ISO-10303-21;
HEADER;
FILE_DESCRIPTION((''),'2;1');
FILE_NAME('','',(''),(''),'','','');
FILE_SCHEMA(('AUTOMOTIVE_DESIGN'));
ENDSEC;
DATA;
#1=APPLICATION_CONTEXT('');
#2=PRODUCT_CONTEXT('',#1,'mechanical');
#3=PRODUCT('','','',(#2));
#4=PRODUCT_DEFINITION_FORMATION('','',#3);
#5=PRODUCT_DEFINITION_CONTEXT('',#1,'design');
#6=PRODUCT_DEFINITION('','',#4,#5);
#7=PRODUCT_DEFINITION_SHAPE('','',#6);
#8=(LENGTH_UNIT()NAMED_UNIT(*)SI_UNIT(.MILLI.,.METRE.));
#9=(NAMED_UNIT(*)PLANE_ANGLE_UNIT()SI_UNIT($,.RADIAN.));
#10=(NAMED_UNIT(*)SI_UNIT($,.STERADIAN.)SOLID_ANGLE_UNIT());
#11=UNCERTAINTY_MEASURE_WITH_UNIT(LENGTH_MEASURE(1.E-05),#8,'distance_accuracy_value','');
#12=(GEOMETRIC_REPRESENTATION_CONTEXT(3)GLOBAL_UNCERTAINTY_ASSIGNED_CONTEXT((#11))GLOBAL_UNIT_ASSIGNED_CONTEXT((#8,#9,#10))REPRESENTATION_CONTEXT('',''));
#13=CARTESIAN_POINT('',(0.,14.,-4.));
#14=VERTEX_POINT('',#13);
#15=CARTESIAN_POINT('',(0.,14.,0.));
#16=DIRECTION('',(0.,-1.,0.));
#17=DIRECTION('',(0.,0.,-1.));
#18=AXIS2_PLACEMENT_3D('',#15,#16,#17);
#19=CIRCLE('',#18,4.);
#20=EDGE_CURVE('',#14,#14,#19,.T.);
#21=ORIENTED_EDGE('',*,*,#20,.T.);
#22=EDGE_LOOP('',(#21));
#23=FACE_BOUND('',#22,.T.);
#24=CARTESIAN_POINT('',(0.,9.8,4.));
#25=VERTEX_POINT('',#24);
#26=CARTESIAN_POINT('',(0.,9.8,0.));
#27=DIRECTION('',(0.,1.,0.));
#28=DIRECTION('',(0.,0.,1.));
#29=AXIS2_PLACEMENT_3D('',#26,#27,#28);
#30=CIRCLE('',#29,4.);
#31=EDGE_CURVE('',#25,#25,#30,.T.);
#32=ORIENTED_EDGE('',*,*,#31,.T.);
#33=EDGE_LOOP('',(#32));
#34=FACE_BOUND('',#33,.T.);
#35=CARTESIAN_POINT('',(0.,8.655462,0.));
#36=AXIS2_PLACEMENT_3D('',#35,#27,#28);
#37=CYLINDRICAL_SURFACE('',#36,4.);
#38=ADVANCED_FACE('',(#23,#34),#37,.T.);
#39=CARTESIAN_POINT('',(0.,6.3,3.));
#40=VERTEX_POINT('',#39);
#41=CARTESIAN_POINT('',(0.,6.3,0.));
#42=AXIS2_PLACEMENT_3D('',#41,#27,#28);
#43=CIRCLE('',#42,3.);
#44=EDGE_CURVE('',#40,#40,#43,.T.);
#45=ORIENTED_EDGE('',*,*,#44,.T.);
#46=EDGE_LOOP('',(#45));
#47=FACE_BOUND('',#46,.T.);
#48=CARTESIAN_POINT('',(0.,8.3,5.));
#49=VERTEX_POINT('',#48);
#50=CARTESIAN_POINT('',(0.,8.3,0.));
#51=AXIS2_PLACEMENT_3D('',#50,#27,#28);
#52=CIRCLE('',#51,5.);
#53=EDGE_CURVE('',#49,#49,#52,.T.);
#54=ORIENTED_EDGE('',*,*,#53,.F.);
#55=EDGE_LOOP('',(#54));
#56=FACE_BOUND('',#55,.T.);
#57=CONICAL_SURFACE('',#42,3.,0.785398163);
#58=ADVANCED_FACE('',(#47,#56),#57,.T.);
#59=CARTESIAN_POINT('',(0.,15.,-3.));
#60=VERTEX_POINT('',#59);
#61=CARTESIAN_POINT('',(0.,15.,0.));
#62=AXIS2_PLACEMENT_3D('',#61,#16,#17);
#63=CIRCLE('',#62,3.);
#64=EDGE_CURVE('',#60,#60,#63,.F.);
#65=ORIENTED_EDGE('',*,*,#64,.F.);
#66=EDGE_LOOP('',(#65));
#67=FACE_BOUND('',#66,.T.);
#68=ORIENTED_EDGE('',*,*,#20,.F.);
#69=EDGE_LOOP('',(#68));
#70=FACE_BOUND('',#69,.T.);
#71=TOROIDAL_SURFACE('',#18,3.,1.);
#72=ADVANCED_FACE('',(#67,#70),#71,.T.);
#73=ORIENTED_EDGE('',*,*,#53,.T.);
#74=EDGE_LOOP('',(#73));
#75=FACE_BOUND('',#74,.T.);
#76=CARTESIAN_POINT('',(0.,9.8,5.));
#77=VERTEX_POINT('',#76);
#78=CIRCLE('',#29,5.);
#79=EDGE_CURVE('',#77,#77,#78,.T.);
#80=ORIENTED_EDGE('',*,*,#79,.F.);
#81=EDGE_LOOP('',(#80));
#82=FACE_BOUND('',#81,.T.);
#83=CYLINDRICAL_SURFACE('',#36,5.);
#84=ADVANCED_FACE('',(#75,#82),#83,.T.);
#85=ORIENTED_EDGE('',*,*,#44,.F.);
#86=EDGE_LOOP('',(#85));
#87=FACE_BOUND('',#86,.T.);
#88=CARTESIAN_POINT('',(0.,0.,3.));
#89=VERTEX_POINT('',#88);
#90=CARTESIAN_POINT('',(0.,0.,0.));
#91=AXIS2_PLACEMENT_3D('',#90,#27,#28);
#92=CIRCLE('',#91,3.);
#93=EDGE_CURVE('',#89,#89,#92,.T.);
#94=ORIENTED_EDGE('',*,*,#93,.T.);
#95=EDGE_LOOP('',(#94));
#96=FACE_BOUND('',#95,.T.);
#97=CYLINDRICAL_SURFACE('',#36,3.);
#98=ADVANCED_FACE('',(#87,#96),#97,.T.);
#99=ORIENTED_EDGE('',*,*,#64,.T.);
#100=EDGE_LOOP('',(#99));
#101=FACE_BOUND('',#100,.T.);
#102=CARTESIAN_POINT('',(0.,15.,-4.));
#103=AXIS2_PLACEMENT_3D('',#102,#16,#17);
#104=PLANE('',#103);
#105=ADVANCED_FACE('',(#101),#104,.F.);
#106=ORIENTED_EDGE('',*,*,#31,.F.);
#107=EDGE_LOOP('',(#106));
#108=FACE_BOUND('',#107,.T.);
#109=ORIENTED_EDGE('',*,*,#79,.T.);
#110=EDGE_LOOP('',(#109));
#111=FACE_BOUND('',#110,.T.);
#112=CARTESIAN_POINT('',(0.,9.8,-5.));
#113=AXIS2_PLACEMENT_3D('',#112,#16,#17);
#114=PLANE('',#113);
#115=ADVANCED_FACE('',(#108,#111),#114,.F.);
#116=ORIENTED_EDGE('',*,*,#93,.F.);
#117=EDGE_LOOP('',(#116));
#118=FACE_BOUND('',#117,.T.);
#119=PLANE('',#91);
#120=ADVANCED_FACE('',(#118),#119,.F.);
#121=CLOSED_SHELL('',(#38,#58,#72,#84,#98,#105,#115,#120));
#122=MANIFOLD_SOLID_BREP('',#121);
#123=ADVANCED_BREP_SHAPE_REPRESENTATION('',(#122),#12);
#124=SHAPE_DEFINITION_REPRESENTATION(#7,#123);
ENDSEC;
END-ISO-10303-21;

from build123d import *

# Parameters (mm, degrees)
FILLET_1_R = 1


with BuildPart() as part:
    # Эскиз2 → Повернуть1 (revolve)
    with BuildSketch(Plane(origin=(0, 0, 0), x_dir=(0, 0, -1), z_dir=(1, 0, 0)), mode=Mode.PRIVATE) as revolve_1_sk:
        Polygon((0, 0), (3, 0), (3, 6.3), (5, 8.3), (5, 9.8), (4, 9.8), (4, 15), (0, 15), align=None)
    revolve(revolve_1_sk.sketch.rotate(Axis((0, 8.655462185, 0), (0, -1, 0)), 180), axis=Axis((0, 8.655462185, 0), (0, -1, 0)))

    # Скругление1
    fillet_1_edges = [part.edges().sort_by_distance(p)[0] for p in [
        (0, 15, -4),
    ]]
    fillet(fillet_1_edges, radius=FILLET_1_R)


solid = part.part
